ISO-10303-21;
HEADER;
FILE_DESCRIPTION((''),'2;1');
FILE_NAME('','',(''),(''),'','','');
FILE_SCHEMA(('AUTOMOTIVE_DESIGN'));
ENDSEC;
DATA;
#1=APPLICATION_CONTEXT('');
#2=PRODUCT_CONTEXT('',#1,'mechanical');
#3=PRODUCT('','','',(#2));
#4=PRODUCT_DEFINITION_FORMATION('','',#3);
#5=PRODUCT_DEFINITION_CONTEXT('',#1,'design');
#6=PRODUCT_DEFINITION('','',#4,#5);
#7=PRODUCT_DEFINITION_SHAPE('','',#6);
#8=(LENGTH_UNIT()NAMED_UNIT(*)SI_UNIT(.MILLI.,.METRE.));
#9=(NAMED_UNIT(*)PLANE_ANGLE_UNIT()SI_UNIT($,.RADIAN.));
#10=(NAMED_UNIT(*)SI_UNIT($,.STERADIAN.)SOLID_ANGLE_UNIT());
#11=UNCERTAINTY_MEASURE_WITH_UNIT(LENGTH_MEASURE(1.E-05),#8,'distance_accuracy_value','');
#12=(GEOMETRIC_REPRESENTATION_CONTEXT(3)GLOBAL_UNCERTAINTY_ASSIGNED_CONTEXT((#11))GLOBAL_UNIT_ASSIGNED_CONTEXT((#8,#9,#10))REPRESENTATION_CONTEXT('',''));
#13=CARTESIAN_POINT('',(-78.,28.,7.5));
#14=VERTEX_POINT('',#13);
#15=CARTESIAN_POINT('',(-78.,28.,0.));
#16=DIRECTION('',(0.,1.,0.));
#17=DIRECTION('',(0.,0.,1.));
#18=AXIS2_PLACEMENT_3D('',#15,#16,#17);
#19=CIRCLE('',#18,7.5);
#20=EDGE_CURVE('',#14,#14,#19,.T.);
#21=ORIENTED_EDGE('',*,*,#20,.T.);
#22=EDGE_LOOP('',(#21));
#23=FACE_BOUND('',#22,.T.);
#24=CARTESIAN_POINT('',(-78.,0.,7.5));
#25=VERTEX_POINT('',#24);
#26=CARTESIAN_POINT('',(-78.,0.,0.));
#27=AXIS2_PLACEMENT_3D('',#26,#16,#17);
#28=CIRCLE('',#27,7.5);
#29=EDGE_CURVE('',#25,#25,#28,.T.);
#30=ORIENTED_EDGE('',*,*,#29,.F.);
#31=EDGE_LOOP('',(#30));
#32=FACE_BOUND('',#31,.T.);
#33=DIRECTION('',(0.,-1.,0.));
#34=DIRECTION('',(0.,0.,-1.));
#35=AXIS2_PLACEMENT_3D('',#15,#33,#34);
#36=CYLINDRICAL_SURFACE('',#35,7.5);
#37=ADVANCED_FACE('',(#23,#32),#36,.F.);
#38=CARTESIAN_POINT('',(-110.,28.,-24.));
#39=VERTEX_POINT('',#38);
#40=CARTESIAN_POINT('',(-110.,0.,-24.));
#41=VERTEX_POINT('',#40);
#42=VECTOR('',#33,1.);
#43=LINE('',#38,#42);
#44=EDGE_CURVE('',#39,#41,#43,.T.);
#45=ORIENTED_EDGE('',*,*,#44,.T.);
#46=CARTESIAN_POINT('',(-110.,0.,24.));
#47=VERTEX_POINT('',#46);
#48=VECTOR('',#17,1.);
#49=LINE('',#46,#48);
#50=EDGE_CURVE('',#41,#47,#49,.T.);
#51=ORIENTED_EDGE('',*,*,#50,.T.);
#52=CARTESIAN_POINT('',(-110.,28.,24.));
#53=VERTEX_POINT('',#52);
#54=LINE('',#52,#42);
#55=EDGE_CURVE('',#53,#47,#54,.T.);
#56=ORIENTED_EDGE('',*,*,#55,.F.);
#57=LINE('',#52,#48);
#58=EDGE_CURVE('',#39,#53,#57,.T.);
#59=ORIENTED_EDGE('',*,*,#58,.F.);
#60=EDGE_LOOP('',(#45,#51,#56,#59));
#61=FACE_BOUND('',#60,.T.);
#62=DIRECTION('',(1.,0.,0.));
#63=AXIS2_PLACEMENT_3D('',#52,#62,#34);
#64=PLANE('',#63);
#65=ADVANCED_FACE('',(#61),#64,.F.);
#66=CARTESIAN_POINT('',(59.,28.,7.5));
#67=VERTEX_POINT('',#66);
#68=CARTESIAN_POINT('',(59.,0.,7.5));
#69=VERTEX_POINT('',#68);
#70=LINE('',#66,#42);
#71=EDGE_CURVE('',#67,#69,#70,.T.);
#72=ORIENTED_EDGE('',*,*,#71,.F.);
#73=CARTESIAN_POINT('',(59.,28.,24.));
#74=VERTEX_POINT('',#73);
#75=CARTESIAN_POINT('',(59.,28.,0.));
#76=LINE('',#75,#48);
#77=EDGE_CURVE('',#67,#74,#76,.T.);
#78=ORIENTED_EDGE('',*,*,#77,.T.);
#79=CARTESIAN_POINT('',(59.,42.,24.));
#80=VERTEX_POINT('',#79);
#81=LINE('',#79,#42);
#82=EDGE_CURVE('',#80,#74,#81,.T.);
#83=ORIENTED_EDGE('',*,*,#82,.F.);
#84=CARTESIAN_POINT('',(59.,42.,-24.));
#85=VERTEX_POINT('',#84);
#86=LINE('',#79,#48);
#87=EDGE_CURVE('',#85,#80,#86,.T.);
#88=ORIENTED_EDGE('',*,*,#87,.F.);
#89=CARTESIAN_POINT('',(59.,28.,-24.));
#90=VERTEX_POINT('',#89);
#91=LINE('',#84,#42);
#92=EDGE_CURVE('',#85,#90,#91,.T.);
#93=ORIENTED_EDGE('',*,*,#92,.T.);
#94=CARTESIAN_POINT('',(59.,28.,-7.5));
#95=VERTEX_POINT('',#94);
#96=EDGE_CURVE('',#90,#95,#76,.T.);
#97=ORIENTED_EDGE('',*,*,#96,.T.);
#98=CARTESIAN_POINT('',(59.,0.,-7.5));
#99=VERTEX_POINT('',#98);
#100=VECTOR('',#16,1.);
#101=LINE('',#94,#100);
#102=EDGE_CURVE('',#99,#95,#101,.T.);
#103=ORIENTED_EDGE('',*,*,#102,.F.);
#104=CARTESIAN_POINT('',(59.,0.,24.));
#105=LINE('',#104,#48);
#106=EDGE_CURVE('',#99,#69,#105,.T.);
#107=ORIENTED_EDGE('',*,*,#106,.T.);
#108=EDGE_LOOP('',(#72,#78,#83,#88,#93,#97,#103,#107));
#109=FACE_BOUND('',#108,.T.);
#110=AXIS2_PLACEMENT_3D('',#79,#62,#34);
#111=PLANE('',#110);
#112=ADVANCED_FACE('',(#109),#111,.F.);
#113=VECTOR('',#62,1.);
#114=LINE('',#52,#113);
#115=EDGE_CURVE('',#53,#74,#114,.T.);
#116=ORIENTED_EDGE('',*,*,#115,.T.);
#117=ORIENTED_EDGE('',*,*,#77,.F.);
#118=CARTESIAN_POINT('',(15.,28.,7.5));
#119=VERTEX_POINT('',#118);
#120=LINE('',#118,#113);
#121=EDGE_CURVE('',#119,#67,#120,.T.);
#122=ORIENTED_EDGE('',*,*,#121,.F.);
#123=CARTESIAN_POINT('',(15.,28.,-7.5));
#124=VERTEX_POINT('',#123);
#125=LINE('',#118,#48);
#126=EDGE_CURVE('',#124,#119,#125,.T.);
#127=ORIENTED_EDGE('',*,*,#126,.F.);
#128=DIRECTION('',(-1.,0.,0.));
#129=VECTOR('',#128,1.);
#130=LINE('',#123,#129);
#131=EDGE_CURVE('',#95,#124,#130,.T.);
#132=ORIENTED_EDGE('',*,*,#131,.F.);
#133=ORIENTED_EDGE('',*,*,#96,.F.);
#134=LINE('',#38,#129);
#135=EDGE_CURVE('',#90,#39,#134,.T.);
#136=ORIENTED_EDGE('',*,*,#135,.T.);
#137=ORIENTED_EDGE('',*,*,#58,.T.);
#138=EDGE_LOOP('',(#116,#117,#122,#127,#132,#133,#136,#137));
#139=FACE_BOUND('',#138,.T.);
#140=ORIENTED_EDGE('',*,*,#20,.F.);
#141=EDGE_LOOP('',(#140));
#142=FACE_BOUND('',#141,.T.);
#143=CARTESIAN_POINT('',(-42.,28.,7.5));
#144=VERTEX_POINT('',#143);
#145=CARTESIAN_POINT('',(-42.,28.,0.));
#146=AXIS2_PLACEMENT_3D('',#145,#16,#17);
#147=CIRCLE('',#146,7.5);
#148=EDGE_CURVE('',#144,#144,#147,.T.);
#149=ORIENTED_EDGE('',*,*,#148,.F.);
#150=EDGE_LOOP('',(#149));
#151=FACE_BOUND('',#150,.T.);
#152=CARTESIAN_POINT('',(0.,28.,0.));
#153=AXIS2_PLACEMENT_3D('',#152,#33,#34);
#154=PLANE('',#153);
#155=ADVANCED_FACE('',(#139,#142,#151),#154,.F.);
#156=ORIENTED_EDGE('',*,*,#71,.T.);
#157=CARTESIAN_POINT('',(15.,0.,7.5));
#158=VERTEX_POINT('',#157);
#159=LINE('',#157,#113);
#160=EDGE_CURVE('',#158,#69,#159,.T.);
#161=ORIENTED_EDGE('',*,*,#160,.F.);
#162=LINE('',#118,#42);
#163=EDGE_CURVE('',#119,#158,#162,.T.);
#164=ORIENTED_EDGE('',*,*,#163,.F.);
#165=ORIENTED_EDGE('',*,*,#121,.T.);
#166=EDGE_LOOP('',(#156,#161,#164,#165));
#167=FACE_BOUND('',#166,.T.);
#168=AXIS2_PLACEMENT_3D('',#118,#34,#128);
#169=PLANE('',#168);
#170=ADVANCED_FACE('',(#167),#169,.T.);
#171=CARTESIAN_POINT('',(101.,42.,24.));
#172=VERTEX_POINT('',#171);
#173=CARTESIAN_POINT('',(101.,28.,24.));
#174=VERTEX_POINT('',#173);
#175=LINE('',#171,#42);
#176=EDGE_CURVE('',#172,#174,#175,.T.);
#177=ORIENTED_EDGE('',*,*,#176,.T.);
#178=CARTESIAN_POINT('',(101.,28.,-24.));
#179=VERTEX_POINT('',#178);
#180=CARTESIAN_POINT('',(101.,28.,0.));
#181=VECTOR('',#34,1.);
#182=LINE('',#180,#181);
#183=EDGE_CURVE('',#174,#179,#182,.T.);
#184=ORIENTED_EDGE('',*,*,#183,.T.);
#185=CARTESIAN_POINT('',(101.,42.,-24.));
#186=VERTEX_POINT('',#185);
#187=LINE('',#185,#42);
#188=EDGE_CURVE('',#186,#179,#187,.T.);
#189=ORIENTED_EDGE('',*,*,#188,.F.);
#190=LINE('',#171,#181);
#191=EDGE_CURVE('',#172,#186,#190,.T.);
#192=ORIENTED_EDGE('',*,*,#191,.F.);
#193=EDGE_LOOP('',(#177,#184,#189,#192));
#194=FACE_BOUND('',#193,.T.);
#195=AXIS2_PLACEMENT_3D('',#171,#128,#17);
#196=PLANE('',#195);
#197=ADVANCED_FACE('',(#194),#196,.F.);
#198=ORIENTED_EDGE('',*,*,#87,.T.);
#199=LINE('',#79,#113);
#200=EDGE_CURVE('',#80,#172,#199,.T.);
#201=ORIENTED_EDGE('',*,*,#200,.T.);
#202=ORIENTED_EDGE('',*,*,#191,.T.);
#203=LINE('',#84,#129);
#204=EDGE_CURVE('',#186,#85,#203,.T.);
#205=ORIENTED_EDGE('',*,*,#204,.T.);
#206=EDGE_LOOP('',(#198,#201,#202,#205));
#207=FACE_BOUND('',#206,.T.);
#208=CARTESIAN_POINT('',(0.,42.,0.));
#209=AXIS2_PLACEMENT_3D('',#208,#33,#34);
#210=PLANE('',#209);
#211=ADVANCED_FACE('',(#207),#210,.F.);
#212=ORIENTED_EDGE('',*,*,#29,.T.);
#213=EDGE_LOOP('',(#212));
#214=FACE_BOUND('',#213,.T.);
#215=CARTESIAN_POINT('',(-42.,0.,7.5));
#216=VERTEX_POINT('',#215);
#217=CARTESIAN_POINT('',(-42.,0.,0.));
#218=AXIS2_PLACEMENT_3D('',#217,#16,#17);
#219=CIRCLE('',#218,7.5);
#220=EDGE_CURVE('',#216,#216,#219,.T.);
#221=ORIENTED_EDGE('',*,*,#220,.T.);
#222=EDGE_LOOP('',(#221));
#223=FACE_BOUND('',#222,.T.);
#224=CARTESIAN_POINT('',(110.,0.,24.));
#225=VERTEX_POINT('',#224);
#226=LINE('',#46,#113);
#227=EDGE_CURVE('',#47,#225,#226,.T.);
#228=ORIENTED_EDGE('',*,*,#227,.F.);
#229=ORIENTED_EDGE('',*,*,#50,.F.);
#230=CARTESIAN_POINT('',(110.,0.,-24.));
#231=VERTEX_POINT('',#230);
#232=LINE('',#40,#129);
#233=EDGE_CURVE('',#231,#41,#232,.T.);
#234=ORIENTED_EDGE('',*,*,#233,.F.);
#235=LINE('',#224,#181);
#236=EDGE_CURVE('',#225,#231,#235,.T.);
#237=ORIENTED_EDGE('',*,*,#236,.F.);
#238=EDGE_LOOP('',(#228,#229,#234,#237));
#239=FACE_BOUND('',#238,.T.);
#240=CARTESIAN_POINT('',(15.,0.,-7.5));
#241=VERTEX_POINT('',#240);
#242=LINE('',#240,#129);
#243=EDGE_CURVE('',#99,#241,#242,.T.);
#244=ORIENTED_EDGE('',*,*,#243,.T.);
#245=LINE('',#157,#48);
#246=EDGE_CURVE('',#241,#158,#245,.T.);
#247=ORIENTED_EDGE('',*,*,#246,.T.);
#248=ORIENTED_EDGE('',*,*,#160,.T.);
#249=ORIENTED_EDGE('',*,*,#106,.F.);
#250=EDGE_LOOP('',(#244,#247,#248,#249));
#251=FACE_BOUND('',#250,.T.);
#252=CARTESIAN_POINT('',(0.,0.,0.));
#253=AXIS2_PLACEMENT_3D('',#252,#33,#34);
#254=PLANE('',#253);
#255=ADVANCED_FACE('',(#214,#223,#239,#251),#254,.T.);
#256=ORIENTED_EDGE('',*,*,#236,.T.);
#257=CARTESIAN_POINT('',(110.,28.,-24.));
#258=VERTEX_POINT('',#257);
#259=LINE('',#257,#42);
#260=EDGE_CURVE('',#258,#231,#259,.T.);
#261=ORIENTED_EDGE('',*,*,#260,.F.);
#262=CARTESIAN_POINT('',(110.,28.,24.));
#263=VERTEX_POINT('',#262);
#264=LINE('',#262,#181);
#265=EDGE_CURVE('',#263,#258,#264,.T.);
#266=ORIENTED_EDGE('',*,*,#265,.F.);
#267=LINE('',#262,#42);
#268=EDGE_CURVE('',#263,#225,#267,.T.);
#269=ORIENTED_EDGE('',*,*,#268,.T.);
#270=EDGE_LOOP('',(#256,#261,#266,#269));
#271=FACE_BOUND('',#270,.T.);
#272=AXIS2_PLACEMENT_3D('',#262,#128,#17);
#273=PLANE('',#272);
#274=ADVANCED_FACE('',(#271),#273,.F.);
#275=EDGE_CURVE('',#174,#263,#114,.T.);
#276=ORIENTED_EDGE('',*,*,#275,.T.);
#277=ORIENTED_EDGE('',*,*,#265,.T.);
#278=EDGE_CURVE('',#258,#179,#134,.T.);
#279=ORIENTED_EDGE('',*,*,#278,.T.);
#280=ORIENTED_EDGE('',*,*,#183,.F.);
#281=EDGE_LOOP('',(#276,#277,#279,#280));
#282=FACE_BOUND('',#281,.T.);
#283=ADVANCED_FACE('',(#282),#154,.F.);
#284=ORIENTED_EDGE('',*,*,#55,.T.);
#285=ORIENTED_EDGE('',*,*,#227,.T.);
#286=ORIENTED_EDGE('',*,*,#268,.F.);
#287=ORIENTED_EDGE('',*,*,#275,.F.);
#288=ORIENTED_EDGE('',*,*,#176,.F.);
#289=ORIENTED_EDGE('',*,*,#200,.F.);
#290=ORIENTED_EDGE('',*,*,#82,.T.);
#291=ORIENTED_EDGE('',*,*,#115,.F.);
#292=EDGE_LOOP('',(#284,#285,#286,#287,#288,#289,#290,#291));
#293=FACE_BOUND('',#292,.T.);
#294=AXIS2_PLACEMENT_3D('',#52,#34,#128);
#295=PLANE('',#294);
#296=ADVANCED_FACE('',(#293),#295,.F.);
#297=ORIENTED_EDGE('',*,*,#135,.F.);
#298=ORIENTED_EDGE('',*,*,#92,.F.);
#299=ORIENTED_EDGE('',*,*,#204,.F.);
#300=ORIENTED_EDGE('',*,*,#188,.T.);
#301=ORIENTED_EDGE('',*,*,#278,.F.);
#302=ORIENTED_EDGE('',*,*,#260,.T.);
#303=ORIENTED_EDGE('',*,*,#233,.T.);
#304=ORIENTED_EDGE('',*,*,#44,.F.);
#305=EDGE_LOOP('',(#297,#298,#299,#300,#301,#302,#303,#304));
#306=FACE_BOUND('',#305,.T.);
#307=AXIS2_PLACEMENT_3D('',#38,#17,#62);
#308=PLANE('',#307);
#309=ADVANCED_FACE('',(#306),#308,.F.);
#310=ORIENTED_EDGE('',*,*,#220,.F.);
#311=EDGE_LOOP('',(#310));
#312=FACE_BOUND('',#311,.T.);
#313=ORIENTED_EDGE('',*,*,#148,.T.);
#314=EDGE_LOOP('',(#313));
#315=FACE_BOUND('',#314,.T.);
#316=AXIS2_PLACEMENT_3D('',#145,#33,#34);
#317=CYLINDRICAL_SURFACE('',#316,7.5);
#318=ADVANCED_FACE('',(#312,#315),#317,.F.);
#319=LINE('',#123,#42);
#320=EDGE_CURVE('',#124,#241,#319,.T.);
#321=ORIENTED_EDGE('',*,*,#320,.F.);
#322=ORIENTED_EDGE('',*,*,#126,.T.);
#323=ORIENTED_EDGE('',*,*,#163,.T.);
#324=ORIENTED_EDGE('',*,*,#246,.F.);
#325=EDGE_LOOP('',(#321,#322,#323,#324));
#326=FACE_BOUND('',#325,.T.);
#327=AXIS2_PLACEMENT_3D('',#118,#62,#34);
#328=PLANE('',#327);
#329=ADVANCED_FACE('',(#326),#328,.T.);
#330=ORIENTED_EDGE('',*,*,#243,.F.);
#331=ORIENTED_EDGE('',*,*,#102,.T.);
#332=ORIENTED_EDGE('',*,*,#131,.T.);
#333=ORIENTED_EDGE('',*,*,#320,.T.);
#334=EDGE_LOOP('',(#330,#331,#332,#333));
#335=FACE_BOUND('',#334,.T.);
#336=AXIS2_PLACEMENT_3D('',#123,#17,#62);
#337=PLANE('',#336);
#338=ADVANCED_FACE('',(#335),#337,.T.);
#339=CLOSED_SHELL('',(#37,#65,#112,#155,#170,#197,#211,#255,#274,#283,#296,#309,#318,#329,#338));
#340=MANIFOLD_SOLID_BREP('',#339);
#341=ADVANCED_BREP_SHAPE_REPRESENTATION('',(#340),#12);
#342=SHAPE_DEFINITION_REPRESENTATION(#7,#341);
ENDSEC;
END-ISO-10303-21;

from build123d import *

# Parameters (mm, degrees)
F_01_BASE_PROFILE_W           = 220
F_01_BASE_PROFILE_H           = 48
F_01_BASE_PROFILE_R           = 7.5
F_01_BASE_PROFILE_W_2         = 60
F_01_BASE_PROFILE_H_2         = 15
F_01_BASE_EXTRUDE_DEPTH       = 28
F_02_BOSS_PROFILE_W           = 42
F_02_BOSS_PROFILE_H           = 48
F_02_REINFORCEMENT_BOSS_DEPTH = 42


with BuildPart() as part:
    # 01_Base_Profile → 01_Base_Extrude (new body)
    with BuildSketch(Plane(origin=(0, 0, 0), x_dir=(1, 0, 0), z_dir=(0, 1, 0))):
        Rectangle(F_01_BASE_PROFILE_W, F_01_BASE_PROFILE_H)
        with Locations(Location((-78, 0, 0), (0, 0, 270))):
            Circle(F_01_BASE_PROFILE_R, mode=Mode.SUBTRACT)
        with Locations(Location((-42, 0, 0), (0, 0, 270))):
            Circle(F_01_BASE_PROFILE_R, mode=Mode.SUBTRACT)
        with Locations((45, 0)):
            Rectangle(F_01_BASE_PROFILE_W_2, F_01_BASE_PROFILE_H_2, mode=Mode.SUBTRACT)
    extrude(amount=F_01_BASE_EXTRUDE_DEPTH)

    # 02_Boss_Profile → 02_Reinforcement_Boss (add)
    with BuildSketch(Plane(origin=(0, 0, 0), x_dir=(1, 0, 0), z_dir=(0, 1, 0))):
        with Locations((80, 0)):
            Rectangle(F_02_BOSS_PROFILE_W, F_02_BOSS_PROFILE_H)
    extrude(amount=F_02_REINFORCEMENT_BOSS_DEPTH)


solid = part.part
